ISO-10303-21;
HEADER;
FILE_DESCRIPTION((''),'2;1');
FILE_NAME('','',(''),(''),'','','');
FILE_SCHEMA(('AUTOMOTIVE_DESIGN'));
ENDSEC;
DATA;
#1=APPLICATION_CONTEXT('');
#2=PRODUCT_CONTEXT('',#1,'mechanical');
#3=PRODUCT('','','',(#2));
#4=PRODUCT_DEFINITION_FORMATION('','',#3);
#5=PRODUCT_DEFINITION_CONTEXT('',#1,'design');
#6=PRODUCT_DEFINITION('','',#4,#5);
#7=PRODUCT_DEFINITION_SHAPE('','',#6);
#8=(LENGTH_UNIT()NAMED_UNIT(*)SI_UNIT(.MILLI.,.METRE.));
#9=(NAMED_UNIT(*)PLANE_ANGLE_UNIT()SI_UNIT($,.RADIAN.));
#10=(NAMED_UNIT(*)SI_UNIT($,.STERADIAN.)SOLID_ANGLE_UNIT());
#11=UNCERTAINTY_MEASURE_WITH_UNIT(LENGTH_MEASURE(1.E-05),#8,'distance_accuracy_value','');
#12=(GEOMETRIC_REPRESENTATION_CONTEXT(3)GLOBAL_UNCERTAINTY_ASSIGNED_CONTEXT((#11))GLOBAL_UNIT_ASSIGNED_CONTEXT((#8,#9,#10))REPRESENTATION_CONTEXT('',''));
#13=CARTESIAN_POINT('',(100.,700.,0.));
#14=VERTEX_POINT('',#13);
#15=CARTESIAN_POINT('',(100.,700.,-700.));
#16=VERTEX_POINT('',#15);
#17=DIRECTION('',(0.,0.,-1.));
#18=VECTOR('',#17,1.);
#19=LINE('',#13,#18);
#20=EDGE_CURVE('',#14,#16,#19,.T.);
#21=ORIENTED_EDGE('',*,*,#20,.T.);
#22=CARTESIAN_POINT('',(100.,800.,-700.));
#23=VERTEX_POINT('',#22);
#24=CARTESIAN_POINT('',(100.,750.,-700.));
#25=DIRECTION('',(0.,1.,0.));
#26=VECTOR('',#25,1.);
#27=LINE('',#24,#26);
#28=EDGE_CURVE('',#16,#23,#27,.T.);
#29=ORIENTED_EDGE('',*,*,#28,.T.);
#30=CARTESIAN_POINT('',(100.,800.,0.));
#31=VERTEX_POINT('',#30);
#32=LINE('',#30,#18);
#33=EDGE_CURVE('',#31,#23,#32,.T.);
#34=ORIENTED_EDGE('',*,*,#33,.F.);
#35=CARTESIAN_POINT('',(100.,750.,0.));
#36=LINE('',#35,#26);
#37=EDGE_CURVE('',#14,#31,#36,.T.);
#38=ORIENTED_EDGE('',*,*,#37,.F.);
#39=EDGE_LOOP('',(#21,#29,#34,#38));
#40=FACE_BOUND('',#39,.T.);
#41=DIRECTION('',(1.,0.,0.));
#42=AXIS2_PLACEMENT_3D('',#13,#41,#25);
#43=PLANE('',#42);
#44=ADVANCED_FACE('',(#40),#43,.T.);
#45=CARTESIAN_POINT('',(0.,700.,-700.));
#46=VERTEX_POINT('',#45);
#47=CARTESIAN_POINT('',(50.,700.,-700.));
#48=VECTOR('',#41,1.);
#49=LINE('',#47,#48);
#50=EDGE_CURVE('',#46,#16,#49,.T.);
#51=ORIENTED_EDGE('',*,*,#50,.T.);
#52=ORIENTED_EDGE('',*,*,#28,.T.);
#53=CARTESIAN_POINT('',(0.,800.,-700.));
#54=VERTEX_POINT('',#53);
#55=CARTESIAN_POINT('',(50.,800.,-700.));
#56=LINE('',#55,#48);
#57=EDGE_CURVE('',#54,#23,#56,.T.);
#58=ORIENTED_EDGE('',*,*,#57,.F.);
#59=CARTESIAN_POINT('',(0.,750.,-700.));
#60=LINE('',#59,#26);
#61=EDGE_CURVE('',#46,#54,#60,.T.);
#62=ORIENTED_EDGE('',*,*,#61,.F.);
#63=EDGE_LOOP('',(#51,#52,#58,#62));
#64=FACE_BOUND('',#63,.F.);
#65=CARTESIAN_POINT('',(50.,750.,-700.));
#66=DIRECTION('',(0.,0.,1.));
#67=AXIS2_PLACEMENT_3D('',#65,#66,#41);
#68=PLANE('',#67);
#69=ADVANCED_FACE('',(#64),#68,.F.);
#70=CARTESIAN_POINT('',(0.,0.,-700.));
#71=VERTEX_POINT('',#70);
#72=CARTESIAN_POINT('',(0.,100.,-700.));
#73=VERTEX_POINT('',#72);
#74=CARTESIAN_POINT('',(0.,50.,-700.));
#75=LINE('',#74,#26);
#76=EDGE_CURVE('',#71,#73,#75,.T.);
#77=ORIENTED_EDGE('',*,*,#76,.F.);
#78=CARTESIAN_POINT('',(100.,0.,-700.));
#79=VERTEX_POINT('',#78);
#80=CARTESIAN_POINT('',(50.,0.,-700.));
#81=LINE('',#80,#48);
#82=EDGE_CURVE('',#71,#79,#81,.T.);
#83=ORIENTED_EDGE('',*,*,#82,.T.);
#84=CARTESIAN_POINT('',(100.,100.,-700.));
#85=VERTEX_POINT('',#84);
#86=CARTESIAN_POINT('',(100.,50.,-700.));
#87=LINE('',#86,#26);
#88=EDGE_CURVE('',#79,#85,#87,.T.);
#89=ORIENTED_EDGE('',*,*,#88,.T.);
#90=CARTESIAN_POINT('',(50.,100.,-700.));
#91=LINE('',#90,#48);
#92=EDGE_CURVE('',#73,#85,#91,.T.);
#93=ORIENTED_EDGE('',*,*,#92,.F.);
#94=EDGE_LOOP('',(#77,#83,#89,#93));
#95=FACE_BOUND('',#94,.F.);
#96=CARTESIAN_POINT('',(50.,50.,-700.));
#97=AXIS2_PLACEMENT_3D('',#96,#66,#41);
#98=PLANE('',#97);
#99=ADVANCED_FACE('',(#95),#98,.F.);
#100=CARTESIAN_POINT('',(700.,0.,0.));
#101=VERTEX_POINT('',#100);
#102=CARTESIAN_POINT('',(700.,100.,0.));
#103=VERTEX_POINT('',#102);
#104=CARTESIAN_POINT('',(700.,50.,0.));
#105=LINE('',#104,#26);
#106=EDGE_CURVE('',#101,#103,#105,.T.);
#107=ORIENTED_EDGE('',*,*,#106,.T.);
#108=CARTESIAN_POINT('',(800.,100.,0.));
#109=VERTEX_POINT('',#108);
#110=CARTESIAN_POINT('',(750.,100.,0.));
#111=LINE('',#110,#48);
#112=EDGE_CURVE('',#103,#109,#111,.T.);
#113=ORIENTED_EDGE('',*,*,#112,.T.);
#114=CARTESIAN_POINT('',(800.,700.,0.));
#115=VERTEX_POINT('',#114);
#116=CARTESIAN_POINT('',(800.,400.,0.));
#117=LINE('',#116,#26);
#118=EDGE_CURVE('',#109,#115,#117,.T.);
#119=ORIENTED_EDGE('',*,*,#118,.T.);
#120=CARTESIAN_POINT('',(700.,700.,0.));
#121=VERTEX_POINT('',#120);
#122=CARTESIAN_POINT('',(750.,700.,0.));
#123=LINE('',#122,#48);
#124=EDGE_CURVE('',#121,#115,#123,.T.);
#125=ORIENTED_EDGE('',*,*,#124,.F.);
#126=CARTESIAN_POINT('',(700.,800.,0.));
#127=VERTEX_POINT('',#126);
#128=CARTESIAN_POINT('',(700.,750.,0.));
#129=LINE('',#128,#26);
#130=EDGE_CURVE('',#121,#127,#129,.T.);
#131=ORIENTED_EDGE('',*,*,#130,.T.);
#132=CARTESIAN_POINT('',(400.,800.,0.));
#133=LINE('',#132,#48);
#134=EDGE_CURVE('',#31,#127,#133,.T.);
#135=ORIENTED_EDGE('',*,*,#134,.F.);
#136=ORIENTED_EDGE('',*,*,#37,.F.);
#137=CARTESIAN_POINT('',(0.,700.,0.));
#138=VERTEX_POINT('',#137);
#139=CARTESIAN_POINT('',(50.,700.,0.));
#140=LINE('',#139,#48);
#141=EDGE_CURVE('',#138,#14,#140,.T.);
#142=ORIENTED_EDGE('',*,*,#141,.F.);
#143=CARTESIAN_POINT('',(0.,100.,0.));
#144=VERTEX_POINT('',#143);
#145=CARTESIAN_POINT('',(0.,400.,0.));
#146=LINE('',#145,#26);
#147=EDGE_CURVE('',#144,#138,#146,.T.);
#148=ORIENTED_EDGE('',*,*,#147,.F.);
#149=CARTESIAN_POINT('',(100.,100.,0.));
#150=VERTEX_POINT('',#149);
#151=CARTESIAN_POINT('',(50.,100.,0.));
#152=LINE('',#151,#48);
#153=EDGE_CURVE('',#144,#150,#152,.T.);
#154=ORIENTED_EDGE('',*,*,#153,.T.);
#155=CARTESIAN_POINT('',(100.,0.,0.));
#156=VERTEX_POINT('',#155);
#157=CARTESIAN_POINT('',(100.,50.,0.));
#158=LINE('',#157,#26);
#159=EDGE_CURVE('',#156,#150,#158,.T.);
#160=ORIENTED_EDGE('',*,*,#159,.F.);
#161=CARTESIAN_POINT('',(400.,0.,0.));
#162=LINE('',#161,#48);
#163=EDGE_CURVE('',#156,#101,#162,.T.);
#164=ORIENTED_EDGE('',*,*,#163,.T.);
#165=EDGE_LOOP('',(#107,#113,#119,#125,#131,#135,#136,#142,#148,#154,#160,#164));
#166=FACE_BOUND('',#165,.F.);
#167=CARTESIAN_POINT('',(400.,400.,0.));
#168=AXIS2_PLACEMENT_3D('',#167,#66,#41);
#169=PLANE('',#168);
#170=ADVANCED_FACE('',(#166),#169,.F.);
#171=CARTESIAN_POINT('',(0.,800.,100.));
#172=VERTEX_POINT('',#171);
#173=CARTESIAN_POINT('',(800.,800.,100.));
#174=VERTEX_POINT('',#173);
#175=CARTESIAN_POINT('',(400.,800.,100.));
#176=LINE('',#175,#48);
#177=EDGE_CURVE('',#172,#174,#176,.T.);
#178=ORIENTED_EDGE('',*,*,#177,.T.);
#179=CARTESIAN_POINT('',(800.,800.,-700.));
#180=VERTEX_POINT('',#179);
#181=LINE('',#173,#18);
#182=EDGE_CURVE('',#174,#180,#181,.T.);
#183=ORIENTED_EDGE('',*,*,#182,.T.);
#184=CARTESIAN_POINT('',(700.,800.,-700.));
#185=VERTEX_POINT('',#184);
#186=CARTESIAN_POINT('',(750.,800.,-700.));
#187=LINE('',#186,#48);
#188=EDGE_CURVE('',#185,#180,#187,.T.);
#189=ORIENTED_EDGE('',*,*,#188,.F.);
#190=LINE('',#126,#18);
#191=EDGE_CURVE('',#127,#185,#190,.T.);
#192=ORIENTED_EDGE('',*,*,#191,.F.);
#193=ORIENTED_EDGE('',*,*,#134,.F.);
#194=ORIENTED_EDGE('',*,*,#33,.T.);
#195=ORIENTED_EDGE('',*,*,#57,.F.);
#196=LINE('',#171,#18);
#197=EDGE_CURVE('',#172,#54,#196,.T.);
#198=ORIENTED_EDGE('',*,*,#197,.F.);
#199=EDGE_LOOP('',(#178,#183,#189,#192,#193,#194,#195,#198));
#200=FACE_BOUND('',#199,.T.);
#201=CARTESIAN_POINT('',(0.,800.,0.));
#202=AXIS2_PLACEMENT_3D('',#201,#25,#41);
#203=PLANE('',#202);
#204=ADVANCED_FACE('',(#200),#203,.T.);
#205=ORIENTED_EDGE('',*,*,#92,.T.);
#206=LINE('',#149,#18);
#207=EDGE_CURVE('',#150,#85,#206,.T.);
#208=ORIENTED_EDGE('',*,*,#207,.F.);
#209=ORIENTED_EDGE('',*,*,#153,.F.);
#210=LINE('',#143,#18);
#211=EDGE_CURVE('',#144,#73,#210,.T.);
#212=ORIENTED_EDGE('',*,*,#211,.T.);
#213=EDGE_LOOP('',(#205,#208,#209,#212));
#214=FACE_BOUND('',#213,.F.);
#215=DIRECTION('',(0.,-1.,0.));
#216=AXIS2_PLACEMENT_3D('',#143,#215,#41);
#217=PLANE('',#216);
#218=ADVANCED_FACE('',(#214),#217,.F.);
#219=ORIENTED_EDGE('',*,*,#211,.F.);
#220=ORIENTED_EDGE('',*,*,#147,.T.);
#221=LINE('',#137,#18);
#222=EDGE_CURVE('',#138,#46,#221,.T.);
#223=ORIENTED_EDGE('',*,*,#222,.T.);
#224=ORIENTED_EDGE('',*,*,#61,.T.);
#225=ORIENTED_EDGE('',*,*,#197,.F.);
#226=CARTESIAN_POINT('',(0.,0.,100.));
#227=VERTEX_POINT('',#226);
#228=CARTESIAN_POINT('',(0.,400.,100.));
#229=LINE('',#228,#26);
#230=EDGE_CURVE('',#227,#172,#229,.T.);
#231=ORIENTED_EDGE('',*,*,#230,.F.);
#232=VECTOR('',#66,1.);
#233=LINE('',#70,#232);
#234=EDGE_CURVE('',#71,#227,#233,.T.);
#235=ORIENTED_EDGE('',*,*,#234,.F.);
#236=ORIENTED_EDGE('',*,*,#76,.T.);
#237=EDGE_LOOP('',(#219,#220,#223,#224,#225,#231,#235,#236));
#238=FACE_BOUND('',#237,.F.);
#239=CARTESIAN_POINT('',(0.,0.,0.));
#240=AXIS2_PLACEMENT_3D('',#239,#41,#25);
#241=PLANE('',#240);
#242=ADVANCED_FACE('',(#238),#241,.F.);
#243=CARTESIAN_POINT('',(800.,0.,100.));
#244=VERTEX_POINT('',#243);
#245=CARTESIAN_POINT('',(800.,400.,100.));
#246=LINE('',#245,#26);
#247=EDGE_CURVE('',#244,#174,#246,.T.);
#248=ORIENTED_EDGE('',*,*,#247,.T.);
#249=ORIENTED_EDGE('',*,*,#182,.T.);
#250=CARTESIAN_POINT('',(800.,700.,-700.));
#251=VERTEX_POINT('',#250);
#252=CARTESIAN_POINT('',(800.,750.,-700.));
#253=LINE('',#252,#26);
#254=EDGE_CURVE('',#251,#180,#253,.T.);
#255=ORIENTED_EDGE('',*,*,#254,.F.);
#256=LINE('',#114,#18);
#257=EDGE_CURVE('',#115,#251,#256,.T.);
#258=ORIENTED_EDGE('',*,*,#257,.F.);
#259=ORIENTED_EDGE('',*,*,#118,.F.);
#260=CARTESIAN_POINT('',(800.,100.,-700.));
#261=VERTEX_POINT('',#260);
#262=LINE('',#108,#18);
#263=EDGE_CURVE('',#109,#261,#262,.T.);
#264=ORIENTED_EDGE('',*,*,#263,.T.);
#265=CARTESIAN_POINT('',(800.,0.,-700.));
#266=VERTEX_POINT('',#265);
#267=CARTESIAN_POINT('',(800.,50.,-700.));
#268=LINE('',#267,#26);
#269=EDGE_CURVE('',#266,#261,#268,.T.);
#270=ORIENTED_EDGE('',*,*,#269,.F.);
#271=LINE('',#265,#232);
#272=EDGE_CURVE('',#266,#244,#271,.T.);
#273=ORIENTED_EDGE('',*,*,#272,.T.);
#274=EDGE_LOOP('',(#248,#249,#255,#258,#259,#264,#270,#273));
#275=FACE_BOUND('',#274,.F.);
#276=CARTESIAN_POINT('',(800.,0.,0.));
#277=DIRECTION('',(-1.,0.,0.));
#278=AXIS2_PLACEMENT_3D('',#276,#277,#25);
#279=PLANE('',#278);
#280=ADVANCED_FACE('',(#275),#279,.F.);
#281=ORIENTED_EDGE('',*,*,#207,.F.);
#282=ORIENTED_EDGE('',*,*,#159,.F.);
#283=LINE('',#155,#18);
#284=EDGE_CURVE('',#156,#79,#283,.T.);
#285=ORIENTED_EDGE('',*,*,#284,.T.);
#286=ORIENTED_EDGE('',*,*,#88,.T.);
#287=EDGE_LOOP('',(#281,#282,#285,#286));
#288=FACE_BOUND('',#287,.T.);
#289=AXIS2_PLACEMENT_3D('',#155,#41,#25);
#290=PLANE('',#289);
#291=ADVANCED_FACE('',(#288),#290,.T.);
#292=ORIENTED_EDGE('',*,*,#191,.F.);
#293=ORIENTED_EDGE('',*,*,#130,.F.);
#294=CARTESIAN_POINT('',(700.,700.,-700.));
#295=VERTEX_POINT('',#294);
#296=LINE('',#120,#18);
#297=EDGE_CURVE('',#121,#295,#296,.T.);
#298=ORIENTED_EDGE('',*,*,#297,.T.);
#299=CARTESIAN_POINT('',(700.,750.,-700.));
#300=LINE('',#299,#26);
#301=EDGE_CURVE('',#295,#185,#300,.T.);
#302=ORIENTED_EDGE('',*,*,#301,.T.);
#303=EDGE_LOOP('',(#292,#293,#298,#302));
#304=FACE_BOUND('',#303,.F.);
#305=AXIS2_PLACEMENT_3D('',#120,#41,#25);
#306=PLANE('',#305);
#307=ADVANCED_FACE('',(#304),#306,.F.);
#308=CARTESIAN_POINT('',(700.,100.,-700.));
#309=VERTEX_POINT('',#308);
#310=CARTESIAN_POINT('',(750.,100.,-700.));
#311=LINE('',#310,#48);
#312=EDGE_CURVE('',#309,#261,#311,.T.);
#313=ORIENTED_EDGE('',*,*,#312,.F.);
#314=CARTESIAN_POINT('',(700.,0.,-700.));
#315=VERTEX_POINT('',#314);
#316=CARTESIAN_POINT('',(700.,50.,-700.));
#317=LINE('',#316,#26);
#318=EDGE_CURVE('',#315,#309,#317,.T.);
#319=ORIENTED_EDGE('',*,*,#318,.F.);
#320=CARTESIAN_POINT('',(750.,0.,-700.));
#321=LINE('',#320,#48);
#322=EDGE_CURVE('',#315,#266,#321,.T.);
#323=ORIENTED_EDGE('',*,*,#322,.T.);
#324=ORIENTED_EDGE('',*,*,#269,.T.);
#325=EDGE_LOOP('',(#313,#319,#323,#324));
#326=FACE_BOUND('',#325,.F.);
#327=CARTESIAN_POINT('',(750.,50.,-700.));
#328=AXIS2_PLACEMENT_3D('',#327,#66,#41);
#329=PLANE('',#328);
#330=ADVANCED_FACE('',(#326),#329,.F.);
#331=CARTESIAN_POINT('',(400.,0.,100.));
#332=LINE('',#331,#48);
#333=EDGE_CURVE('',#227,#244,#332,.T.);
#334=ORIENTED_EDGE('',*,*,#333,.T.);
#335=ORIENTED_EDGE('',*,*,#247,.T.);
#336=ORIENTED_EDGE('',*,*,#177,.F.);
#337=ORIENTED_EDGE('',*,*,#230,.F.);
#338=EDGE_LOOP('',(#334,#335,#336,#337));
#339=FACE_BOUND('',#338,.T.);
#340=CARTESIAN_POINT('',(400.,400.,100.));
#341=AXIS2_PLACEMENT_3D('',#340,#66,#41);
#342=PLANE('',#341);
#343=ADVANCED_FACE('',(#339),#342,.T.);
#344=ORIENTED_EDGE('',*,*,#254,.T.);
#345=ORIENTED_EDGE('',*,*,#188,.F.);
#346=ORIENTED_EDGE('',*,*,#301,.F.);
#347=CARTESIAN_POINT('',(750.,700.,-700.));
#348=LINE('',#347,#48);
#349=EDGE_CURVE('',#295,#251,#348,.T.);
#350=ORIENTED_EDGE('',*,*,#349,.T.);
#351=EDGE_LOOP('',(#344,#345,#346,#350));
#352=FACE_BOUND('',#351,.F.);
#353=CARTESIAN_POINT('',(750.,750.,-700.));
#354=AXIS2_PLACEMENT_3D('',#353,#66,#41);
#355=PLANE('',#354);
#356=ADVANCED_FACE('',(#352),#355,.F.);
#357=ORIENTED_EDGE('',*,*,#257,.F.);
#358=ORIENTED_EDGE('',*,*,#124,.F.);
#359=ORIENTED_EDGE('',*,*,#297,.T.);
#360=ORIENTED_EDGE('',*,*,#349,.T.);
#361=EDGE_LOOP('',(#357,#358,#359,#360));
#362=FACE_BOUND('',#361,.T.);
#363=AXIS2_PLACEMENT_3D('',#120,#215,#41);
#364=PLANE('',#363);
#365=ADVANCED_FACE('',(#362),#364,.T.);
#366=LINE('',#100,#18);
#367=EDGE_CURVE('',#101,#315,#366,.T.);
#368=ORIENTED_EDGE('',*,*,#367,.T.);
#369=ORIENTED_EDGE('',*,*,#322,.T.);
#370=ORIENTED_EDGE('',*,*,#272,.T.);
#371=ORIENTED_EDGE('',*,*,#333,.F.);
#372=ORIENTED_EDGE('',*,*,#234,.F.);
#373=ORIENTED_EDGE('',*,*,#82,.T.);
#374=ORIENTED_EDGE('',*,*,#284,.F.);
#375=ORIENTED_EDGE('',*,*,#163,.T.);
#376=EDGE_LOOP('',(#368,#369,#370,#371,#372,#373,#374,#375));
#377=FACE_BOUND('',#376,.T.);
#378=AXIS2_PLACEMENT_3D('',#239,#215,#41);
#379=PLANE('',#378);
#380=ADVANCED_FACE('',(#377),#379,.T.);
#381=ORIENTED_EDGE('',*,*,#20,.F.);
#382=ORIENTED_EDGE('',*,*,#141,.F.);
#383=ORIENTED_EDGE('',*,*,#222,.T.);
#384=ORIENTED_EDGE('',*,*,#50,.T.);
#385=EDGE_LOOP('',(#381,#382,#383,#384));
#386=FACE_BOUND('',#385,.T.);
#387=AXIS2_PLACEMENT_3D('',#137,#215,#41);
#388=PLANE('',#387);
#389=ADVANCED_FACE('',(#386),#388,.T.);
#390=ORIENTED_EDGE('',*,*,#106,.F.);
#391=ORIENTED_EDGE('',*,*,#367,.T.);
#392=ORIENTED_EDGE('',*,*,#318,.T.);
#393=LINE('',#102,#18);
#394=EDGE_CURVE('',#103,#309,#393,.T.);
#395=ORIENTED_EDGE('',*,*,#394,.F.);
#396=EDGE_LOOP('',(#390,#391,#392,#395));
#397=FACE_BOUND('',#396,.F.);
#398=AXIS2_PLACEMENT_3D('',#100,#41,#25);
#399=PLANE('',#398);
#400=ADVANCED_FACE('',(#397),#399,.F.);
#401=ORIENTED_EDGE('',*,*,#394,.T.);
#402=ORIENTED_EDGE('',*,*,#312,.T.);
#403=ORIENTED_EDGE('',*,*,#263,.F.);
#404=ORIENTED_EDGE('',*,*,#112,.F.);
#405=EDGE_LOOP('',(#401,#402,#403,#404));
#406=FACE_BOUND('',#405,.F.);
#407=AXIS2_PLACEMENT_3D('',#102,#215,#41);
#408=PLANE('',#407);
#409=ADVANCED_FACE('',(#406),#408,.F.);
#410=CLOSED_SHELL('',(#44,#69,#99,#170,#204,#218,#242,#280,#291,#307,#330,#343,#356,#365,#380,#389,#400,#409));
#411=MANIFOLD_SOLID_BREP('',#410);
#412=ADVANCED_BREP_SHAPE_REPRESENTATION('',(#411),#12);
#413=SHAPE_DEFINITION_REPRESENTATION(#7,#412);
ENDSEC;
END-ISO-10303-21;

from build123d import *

# Parameters (mm, degrees)
F1_W     = 800
F1_H     = 800
F2_DEPTH = 100
F0_W     = 100
F0_H     = 100
F3_DEPTH = 700


with BuildPart() as f2:
    # F1 (on Top) → F2 (new body)
    with BuildSketch(Plane.XY):
        with Locations((400, 400)):
            Rectangle(F1_W, F1_H)
    extrude(amount=F2_DEPTH)

    # F0 (on Top) → F3 (join)
    with BuildSketch(Plane.XY):
        with Locations((50, 50)):
            Rectangle(F0_W, F0_H)
        with Locations((750, 50)):
            Rectangle(F0_W, F0_H)
        with Locations((50, 750)):
            Rectangle(F0_W, F0_H)
        with Locations((750, 750)):
            Rectangle(F0_W, F0_H)
    extrude(amount=-F3_DEPTH)


solid = f2.part
